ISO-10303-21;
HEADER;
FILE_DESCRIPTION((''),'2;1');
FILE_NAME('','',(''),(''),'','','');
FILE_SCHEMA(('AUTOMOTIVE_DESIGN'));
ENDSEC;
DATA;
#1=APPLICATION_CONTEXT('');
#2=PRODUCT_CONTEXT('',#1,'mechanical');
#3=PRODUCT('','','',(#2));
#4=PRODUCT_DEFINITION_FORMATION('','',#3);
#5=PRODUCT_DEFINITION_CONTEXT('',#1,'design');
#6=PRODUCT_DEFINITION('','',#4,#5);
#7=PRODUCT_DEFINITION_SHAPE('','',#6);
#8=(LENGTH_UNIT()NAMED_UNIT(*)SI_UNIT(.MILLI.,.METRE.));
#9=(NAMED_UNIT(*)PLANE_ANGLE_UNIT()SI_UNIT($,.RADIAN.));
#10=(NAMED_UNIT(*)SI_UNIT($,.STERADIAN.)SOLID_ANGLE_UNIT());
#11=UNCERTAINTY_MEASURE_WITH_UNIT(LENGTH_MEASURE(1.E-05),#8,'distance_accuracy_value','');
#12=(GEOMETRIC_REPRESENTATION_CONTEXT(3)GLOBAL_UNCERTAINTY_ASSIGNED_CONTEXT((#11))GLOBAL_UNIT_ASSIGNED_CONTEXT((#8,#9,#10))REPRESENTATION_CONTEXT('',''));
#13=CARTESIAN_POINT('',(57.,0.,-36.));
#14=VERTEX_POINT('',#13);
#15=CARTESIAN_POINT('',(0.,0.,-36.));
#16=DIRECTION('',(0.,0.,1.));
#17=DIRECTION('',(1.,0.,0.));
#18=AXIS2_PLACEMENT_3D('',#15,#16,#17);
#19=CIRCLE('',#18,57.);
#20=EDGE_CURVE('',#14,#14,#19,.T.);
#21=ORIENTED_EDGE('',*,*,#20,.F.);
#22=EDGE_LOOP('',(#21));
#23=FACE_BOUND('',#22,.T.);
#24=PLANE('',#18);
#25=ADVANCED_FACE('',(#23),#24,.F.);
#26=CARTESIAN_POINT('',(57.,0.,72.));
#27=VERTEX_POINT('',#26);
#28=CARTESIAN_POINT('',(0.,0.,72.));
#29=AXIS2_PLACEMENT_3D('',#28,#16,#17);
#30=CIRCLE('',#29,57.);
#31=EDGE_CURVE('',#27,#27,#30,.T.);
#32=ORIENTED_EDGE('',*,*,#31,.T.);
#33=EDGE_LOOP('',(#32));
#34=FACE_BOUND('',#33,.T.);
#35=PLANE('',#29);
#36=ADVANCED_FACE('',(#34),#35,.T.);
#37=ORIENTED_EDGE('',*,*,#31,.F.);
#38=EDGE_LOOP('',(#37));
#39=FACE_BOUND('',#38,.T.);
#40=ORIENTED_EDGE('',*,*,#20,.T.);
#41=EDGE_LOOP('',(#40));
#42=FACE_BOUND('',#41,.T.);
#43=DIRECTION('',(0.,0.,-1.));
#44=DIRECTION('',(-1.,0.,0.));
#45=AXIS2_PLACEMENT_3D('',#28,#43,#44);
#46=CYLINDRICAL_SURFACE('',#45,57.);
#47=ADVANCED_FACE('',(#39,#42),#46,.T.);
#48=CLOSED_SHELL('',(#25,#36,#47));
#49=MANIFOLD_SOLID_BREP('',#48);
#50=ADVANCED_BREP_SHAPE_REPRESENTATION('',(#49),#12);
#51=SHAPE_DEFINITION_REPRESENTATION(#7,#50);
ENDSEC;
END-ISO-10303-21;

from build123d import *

# Parameters (mm, degrees)
SKETCH1_R          = 19
BASE_EXTRUDE_DEPTH = 36
SCALE1_SCALE       = 2.5
SCALE2_SCALE       = 1.2


with BuildPart() as part:
    # Sketch1 → Base-Extrude (new body)
    with BuildSketch(Plane.XY):
        Circle(SKETCH1_R)
    extrude(amount=BASE_EXTRUDE_DEPTH)


with BuildPart() as part_1:
    # Scale1: scaled about (0, 0, 18)
    add(part.part.scale(SCALE1_SCALE).moved(Location((0, 0, -27))))


with BuildPart() as part_2:
    # Scale2: scaled about (0, 0, 18)
    add(part_1.part.scale(SCALE2_SCALE).moved(Location((0, 0, -3.6))))


solid = part_2.part
